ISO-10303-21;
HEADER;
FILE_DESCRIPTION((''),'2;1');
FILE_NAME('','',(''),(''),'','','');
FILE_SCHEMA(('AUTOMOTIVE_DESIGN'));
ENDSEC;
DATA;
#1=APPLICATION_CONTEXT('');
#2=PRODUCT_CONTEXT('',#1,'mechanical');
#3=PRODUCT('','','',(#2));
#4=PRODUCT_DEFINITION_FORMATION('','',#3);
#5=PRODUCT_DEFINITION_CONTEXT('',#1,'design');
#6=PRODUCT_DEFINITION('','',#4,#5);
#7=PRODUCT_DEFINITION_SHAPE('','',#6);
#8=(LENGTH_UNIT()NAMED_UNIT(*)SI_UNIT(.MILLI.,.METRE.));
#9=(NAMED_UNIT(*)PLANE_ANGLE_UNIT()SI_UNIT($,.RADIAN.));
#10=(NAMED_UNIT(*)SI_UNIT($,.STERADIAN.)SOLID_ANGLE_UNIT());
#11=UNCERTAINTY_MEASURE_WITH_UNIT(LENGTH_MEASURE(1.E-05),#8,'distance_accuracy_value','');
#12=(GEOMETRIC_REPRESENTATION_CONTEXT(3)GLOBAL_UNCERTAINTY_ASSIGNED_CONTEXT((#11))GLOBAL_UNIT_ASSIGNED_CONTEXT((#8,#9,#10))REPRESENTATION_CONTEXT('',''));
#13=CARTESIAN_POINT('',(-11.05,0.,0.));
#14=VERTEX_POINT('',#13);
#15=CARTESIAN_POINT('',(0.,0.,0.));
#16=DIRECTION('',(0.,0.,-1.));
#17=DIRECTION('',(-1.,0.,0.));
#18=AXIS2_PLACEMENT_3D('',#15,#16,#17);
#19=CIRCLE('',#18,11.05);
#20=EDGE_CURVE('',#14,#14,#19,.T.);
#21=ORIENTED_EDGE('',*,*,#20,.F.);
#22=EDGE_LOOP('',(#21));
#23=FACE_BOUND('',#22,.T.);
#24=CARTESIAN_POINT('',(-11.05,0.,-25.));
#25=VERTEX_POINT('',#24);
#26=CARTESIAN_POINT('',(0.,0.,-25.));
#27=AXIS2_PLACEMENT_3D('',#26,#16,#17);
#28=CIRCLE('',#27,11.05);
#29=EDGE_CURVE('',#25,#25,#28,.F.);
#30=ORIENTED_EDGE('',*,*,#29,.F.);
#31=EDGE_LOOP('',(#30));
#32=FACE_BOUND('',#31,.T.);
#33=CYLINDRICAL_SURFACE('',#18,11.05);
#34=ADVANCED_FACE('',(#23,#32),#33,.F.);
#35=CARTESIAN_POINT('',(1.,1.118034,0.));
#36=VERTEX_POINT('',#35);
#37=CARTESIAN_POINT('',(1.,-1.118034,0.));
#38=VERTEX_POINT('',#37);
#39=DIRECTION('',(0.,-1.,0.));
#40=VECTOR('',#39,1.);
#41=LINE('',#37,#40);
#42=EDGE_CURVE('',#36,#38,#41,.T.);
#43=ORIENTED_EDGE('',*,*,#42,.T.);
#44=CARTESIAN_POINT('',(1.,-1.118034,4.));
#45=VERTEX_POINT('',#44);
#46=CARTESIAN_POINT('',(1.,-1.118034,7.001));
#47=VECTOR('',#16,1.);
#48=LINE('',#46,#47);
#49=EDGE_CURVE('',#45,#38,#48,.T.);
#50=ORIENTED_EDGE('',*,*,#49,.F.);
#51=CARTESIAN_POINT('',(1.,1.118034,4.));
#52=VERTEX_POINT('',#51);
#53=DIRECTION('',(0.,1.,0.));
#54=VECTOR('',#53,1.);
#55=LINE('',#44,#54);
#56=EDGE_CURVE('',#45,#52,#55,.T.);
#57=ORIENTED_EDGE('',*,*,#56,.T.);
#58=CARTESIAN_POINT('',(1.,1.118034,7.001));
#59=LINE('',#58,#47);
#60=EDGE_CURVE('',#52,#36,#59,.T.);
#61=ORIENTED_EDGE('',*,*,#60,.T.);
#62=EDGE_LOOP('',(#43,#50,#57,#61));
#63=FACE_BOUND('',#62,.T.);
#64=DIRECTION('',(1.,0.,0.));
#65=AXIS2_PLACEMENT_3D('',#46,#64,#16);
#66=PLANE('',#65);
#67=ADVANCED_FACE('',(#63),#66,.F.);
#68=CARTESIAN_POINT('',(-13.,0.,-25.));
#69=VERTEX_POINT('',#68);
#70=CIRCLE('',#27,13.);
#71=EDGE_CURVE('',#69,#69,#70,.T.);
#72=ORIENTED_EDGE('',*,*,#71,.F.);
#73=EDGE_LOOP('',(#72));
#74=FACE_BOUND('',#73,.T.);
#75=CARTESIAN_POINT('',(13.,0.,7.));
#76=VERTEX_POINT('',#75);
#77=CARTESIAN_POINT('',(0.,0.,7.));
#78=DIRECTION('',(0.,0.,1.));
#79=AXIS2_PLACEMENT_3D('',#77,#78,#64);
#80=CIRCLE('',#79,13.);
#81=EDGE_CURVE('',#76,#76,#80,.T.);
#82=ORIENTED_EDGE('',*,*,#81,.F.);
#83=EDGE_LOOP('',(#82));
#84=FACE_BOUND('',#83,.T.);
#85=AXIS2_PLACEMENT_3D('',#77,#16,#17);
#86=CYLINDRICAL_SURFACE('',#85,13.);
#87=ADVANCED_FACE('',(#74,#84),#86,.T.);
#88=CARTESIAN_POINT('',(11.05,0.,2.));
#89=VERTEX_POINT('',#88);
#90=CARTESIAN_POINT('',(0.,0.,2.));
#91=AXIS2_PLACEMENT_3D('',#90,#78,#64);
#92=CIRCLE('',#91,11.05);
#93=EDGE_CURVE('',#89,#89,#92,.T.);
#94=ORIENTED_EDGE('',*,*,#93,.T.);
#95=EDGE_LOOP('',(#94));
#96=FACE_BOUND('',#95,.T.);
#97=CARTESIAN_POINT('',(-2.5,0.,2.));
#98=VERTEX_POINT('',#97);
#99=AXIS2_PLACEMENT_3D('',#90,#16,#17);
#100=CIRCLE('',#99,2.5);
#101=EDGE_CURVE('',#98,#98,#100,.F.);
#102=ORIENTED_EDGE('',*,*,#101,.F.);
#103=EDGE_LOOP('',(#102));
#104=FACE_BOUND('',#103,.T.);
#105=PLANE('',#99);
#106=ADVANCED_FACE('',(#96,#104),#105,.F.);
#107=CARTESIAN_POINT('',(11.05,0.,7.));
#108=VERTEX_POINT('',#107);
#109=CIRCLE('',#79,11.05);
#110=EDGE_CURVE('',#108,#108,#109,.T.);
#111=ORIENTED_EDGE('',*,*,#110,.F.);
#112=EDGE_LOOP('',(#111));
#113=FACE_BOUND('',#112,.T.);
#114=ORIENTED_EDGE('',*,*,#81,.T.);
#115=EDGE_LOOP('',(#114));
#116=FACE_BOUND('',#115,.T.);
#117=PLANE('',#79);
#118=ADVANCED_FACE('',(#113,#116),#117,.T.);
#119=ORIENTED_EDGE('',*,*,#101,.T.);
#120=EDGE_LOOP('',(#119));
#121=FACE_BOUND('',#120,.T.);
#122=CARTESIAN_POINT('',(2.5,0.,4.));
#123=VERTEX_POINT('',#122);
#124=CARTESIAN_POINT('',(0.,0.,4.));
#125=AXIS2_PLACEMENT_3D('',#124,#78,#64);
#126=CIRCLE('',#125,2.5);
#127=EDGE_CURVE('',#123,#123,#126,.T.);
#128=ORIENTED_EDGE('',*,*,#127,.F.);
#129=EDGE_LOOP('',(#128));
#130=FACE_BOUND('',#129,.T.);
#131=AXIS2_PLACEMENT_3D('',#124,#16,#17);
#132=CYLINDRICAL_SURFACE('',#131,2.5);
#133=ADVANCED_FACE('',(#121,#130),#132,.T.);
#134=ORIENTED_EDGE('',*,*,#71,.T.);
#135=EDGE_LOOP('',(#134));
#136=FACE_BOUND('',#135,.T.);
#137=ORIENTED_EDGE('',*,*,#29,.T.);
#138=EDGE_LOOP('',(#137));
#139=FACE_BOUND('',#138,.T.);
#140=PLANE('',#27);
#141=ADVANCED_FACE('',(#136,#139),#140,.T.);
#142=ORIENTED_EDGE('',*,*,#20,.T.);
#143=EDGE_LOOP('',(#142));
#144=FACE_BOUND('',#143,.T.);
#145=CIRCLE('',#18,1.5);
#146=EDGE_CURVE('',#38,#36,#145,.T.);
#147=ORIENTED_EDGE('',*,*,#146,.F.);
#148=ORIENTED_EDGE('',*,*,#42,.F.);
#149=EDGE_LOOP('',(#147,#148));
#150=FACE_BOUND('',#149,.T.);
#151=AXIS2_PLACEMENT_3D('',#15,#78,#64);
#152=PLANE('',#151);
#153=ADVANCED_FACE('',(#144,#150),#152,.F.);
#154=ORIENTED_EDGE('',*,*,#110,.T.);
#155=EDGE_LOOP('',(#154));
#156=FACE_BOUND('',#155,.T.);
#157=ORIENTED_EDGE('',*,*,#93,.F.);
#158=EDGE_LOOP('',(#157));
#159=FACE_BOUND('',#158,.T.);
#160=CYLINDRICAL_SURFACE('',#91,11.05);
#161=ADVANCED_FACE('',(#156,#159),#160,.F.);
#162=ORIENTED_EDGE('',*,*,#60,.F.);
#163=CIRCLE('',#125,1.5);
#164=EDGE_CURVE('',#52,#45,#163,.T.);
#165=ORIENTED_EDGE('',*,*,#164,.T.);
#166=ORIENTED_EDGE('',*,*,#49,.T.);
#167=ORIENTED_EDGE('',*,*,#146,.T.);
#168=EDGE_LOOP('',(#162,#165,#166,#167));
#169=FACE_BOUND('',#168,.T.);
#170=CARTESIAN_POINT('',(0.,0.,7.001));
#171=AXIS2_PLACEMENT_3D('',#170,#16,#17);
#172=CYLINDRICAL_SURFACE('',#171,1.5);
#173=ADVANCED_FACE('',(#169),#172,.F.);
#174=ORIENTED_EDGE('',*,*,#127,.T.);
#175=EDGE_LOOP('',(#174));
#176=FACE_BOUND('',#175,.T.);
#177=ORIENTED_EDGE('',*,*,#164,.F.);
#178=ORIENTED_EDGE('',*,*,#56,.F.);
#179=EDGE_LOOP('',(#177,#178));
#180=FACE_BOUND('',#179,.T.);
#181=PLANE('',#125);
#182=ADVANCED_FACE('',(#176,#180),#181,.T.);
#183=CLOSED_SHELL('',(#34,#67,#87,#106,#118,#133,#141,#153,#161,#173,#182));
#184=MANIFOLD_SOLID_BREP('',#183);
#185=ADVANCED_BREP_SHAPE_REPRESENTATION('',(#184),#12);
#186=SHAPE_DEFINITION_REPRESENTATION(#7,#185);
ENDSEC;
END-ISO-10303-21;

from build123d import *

# Parameters (mm, degrees)
SKETCH_1_R          = 13
SKETCH_1_R_2        = 11
EXTRUDE_1_DEPTH     = 7
SKETCH_3_R          = 13
EXTRUDE_2_DEPTH     = 2
CUT_EXTRUDE_1_REACH = 21.672
SKETCH_7_R          = 2.5
EXTRUDE_3_DEPTH     = 2
EXTRUDE_START       = 27
SKETCH_8_R          = 13
SKETCH_8_R_2        = 11
EXTRUDE_4_DEPTH     = 27
SKETCH_10_R         = 11.05
CUT_EXTRUDE_2_DEPTH = 27
CUT_EXTRUDE_START   = -5
SKETCH_11_R         = 11.05
SKETCH_11_R_2       = 2.5
CUT_EXTRUDE_3_DEPTH = 5
SKETCH_12_R         = 14.847927408
CUT_EXTRUDE_4_DEPTH = 2


with BuildPart() as part:
    # 草图1 → 凸台-拉伸1 (new body)
    with BuildSketch(Plane.XY):
        Circle(SKETCH_1_R)
        Circle(SKETCH_1_R_2, mode=Mode.SUBTRACT)
    extrude(amount=EXTRUDE_1_DEPTH)

    # 草图3 → 凸台-拉伸2 (add)
    with BuildSketch(Plane(origin=(0, 0, 0), x_dir=(-1, 0, 0), z_dir=(0, 0, -1))):
        with Locations(Location((0, 0, 0), (0, 0, 180))):
            Circle(SKETCH_3_R)
    extrude(amount=-EXTRUDE_2_DEPTH)

    # 草图6 → 切除-拉伸1 (cut, up to next)
    with BuildSketch(Plane(origin=(0, 0, 0), x_dir=(-1, 0, 0), z_dir=(0, 0, -1)), mode=Mode.PRIVATE) as cut_extrude_1_sk1:
        with BuildLine():
            Line((-1, -1.118033989), (-1, 1.118033989))
            ThreePointArc((-1, 1.118033989), (1.5, 0), (-1, -1.118033989))
        make_face()
    cut_extrude_1_tool1 = extrude(cut_extrude_1_sk1.sketch, amount=-CUT_EXTRUDE_1_REACH, mode=Mode.PRIVATE) & part.part
    add(cut_extrude_1_tool1.solids().sort_by_distance((-0.148024, 0, 0))[0], mode=Mode.SUBTRACT)

    # 草图7 → 凸台-拉伸3 (add)
    with BuildSketch(Plane.XY.offset(2)):
        with Locations(Location((0, 0, 0), (0, 0, 180))):
            Circle(SKETCH_7_R)
        with BuildLine():
            Line((1, -1.118033989), (1, 1.118033989))
            ThreePointArc((1, 1.118033989), (-1.5, 0), (1, -1.118033989))
        make_face(mode=Mode.SUBTRACT)
    extrude(amount=EXTRUDE_3_DEPTH)

    # 草图8 → 凸台-拉伸4 (add)
    with BuildSketch(Plane(origin=(0, 0, 0), x_dir=(-1, 0, 0), z_dir=(0, 0, -1)).offset(EXTRUDE_START)):
        Circle(SKETCH_8_R)
        Circle(SKETCH_8_R_2, mode=Mode.SUBTRACT)
    extrude(amount=-EXTRUDE_4_DEPTH)

    # 草图10 → 切除-拉伸2 (cut)
    with BuildSketch(Plane(origin=(0, 0, -27), x_dir=(-1, 0, 0), z_dir=(0, 0, -1))):
        Circle(SKETCH_10_R)
    extrude(amount=-CUT_EXTRUDE_2_DEPTH, mode=Mode.SUBTRACT)

    # 草图11 → 切除-拉伸3 (cut)
    with BuildSketch(Plane.XY.offset(7).offset(CUT_EXTRUDE_START)):
        with Locations(Location((0, 0, 0), (0, 0, 180))):
            Circle(SKETCH_11_R)
        with Locations(Location((0, 0, 0), (0, 0, 180))):
            Circle(SKETCH_11_R_2, mode=Mode.SUBTRACT)
    extrude(amount=CUT_EXTRUDE_3_DEPTH, mode=Mode.SUBTRACT)

    # 草图12 → 切除-拉伸4 (cut)
    with BuildSketch(Plane(origin=(0, 0, -27), x_dir=(-1, 0, 0), z_dir=(0, 0, -1))):
        Circle(SKETCH_12_R)
    extrude(amount=-CUT_EXTRUDE_4_DEPTH, mode=Mode.SUBTRACT)


solid = part.part
